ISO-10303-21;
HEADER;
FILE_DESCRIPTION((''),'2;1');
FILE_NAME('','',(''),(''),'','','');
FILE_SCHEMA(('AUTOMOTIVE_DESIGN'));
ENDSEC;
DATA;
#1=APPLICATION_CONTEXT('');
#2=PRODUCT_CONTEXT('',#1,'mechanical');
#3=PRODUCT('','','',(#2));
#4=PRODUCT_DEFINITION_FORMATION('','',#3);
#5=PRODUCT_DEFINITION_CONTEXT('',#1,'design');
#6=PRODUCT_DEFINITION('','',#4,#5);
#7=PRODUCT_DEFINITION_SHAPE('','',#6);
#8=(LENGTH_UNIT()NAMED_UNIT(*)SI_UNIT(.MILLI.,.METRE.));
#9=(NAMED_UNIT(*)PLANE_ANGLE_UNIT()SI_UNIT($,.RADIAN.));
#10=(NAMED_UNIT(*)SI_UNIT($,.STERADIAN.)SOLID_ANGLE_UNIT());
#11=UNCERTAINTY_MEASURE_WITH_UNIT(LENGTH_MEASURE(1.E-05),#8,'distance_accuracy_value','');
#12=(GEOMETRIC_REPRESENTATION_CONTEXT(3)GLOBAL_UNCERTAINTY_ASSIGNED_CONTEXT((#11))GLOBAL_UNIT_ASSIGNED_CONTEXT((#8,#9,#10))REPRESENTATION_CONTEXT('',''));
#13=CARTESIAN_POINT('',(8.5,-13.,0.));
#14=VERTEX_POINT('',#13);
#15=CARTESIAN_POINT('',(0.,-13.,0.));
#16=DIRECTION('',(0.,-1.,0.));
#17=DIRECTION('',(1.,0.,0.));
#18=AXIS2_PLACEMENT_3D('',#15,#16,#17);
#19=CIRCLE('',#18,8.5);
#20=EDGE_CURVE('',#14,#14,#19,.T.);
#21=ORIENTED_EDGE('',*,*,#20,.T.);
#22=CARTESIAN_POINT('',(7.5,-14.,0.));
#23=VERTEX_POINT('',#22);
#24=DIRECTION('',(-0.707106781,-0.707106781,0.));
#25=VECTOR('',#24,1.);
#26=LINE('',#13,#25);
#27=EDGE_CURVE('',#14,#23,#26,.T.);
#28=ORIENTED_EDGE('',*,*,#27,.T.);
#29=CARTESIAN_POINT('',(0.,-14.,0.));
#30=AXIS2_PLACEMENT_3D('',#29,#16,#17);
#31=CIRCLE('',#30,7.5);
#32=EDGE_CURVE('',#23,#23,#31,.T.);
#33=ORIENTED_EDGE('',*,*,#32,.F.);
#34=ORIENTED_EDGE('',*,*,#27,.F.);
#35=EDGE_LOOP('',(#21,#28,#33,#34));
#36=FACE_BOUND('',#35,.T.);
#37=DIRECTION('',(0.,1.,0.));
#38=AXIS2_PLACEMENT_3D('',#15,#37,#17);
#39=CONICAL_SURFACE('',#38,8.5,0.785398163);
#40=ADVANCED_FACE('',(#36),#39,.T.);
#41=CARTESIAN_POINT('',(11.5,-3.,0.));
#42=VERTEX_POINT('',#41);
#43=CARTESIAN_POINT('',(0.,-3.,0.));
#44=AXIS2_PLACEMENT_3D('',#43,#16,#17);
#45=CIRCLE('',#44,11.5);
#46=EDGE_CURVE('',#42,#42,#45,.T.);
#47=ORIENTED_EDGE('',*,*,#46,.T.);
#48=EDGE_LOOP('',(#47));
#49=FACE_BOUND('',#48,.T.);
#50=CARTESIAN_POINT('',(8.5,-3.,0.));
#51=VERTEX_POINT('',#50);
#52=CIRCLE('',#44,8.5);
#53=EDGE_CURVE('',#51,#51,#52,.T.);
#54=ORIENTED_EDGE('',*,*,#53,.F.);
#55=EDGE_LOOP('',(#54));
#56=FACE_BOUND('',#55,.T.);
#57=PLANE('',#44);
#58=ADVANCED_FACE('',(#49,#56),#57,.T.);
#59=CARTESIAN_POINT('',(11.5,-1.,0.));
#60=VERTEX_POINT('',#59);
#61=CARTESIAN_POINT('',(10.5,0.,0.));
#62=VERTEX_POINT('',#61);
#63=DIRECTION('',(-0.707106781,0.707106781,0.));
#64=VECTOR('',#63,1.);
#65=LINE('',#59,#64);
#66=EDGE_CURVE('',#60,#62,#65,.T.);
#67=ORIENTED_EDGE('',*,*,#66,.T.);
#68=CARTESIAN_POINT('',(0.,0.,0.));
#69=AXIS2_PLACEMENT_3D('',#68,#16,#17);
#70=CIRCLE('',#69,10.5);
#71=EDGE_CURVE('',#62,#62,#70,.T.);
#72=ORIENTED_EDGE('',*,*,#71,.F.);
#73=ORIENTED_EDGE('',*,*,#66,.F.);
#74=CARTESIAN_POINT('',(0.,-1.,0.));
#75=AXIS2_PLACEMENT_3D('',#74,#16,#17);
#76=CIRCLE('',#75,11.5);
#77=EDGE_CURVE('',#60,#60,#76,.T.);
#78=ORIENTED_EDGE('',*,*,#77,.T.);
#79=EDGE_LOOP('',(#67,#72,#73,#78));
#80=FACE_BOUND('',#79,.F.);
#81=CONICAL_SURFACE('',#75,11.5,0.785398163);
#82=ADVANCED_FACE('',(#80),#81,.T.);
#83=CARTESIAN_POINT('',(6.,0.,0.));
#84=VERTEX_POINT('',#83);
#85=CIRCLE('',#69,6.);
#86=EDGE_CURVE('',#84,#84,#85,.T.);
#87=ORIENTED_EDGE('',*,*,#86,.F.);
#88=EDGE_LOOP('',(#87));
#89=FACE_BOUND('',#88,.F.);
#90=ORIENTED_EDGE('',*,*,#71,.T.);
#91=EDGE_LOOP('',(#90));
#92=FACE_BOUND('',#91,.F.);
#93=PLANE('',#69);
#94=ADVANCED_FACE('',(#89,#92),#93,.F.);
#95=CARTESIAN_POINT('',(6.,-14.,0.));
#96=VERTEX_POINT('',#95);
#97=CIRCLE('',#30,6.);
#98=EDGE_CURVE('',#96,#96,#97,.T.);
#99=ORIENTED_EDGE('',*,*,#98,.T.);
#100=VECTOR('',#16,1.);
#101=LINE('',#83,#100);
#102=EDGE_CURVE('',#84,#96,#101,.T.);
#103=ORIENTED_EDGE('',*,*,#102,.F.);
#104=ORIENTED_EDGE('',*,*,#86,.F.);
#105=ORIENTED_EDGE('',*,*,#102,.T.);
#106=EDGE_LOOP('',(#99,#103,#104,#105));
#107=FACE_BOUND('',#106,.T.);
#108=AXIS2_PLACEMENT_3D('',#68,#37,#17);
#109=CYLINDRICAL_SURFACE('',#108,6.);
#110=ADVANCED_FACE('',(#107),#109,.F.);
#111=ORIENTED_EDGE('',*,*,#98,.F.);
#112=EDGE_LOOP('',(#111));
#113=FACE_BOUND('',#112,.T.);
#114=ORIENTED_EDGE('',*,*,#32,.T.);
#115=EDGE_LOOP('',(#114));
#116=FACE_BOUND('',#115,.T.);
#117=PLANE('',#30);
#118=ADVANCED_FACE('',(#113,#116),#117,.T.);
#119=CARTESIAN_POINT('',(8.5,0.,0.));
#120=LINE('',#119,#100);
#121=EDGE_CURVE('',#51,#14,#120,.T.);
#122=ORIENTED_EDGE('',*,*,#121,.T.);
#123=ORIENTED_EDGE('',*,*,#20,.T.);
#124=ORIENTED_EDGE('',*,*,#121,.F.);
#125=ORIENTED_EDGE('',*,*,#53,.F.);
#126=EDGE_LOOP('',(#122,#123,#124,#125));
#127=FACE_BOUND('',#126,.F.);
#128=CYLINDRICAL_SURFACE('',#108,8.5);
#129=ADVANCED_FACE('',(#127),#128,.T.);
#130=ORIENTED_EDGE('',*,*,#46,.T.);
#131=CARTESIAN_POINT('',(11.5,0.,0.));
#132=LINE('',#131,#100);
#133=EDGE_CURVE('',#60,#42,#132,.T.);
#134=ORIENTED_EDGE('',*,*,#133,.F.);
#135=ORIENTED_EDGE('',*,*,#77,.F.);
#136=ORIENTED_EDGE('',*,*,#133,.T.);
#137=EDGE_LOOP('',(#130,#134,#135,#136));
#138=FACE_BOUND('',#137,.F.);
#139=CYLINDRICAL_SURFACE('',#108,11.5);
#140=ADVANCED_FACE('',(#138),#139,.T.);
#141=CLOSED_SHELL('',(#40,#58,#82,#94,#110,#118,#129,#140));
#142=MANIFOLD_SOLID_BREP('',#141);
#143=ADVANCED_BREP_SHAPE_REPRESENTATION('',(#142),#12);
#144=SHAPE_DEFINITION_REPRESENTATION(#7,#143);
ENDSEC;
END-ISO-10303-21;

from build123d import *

# Parameters (mm, degrees)
F0_R     = 11.5
F0_R_2   = 8.5
F1_DEPTH = 3
F0_R_3   = 6
F2_DEPTH = 14
F3_SIZE  = 1


with BuildPart() as f1:
    # F0 (on Front) → F1 (new body)
    with BuildSketch(Plane.XZ):
        Circle(F0_R)
        Circle(F0_R_2, mode=Mode.SUBTRACT)
    extrude(amount=F1_DEPTH)

    # F0 (on Front) → F2 (join)
    with BuildSketch(Plane.XZ):
        Circle(F0_R_2)
        Circle(F0_R_3, mode=Mode.SUBTRACT)
    extrude(amount=F2_DEPTH)

    # F3
    f3_edges = [f1.edges().sort_by_distance(p)[0] for p in [
        (-8.5, -14, 0),
        (-11.5, 0, 0),
    ]]
    chamfer(f3_edges, length=F3_SIZE)


solid = f1.part
